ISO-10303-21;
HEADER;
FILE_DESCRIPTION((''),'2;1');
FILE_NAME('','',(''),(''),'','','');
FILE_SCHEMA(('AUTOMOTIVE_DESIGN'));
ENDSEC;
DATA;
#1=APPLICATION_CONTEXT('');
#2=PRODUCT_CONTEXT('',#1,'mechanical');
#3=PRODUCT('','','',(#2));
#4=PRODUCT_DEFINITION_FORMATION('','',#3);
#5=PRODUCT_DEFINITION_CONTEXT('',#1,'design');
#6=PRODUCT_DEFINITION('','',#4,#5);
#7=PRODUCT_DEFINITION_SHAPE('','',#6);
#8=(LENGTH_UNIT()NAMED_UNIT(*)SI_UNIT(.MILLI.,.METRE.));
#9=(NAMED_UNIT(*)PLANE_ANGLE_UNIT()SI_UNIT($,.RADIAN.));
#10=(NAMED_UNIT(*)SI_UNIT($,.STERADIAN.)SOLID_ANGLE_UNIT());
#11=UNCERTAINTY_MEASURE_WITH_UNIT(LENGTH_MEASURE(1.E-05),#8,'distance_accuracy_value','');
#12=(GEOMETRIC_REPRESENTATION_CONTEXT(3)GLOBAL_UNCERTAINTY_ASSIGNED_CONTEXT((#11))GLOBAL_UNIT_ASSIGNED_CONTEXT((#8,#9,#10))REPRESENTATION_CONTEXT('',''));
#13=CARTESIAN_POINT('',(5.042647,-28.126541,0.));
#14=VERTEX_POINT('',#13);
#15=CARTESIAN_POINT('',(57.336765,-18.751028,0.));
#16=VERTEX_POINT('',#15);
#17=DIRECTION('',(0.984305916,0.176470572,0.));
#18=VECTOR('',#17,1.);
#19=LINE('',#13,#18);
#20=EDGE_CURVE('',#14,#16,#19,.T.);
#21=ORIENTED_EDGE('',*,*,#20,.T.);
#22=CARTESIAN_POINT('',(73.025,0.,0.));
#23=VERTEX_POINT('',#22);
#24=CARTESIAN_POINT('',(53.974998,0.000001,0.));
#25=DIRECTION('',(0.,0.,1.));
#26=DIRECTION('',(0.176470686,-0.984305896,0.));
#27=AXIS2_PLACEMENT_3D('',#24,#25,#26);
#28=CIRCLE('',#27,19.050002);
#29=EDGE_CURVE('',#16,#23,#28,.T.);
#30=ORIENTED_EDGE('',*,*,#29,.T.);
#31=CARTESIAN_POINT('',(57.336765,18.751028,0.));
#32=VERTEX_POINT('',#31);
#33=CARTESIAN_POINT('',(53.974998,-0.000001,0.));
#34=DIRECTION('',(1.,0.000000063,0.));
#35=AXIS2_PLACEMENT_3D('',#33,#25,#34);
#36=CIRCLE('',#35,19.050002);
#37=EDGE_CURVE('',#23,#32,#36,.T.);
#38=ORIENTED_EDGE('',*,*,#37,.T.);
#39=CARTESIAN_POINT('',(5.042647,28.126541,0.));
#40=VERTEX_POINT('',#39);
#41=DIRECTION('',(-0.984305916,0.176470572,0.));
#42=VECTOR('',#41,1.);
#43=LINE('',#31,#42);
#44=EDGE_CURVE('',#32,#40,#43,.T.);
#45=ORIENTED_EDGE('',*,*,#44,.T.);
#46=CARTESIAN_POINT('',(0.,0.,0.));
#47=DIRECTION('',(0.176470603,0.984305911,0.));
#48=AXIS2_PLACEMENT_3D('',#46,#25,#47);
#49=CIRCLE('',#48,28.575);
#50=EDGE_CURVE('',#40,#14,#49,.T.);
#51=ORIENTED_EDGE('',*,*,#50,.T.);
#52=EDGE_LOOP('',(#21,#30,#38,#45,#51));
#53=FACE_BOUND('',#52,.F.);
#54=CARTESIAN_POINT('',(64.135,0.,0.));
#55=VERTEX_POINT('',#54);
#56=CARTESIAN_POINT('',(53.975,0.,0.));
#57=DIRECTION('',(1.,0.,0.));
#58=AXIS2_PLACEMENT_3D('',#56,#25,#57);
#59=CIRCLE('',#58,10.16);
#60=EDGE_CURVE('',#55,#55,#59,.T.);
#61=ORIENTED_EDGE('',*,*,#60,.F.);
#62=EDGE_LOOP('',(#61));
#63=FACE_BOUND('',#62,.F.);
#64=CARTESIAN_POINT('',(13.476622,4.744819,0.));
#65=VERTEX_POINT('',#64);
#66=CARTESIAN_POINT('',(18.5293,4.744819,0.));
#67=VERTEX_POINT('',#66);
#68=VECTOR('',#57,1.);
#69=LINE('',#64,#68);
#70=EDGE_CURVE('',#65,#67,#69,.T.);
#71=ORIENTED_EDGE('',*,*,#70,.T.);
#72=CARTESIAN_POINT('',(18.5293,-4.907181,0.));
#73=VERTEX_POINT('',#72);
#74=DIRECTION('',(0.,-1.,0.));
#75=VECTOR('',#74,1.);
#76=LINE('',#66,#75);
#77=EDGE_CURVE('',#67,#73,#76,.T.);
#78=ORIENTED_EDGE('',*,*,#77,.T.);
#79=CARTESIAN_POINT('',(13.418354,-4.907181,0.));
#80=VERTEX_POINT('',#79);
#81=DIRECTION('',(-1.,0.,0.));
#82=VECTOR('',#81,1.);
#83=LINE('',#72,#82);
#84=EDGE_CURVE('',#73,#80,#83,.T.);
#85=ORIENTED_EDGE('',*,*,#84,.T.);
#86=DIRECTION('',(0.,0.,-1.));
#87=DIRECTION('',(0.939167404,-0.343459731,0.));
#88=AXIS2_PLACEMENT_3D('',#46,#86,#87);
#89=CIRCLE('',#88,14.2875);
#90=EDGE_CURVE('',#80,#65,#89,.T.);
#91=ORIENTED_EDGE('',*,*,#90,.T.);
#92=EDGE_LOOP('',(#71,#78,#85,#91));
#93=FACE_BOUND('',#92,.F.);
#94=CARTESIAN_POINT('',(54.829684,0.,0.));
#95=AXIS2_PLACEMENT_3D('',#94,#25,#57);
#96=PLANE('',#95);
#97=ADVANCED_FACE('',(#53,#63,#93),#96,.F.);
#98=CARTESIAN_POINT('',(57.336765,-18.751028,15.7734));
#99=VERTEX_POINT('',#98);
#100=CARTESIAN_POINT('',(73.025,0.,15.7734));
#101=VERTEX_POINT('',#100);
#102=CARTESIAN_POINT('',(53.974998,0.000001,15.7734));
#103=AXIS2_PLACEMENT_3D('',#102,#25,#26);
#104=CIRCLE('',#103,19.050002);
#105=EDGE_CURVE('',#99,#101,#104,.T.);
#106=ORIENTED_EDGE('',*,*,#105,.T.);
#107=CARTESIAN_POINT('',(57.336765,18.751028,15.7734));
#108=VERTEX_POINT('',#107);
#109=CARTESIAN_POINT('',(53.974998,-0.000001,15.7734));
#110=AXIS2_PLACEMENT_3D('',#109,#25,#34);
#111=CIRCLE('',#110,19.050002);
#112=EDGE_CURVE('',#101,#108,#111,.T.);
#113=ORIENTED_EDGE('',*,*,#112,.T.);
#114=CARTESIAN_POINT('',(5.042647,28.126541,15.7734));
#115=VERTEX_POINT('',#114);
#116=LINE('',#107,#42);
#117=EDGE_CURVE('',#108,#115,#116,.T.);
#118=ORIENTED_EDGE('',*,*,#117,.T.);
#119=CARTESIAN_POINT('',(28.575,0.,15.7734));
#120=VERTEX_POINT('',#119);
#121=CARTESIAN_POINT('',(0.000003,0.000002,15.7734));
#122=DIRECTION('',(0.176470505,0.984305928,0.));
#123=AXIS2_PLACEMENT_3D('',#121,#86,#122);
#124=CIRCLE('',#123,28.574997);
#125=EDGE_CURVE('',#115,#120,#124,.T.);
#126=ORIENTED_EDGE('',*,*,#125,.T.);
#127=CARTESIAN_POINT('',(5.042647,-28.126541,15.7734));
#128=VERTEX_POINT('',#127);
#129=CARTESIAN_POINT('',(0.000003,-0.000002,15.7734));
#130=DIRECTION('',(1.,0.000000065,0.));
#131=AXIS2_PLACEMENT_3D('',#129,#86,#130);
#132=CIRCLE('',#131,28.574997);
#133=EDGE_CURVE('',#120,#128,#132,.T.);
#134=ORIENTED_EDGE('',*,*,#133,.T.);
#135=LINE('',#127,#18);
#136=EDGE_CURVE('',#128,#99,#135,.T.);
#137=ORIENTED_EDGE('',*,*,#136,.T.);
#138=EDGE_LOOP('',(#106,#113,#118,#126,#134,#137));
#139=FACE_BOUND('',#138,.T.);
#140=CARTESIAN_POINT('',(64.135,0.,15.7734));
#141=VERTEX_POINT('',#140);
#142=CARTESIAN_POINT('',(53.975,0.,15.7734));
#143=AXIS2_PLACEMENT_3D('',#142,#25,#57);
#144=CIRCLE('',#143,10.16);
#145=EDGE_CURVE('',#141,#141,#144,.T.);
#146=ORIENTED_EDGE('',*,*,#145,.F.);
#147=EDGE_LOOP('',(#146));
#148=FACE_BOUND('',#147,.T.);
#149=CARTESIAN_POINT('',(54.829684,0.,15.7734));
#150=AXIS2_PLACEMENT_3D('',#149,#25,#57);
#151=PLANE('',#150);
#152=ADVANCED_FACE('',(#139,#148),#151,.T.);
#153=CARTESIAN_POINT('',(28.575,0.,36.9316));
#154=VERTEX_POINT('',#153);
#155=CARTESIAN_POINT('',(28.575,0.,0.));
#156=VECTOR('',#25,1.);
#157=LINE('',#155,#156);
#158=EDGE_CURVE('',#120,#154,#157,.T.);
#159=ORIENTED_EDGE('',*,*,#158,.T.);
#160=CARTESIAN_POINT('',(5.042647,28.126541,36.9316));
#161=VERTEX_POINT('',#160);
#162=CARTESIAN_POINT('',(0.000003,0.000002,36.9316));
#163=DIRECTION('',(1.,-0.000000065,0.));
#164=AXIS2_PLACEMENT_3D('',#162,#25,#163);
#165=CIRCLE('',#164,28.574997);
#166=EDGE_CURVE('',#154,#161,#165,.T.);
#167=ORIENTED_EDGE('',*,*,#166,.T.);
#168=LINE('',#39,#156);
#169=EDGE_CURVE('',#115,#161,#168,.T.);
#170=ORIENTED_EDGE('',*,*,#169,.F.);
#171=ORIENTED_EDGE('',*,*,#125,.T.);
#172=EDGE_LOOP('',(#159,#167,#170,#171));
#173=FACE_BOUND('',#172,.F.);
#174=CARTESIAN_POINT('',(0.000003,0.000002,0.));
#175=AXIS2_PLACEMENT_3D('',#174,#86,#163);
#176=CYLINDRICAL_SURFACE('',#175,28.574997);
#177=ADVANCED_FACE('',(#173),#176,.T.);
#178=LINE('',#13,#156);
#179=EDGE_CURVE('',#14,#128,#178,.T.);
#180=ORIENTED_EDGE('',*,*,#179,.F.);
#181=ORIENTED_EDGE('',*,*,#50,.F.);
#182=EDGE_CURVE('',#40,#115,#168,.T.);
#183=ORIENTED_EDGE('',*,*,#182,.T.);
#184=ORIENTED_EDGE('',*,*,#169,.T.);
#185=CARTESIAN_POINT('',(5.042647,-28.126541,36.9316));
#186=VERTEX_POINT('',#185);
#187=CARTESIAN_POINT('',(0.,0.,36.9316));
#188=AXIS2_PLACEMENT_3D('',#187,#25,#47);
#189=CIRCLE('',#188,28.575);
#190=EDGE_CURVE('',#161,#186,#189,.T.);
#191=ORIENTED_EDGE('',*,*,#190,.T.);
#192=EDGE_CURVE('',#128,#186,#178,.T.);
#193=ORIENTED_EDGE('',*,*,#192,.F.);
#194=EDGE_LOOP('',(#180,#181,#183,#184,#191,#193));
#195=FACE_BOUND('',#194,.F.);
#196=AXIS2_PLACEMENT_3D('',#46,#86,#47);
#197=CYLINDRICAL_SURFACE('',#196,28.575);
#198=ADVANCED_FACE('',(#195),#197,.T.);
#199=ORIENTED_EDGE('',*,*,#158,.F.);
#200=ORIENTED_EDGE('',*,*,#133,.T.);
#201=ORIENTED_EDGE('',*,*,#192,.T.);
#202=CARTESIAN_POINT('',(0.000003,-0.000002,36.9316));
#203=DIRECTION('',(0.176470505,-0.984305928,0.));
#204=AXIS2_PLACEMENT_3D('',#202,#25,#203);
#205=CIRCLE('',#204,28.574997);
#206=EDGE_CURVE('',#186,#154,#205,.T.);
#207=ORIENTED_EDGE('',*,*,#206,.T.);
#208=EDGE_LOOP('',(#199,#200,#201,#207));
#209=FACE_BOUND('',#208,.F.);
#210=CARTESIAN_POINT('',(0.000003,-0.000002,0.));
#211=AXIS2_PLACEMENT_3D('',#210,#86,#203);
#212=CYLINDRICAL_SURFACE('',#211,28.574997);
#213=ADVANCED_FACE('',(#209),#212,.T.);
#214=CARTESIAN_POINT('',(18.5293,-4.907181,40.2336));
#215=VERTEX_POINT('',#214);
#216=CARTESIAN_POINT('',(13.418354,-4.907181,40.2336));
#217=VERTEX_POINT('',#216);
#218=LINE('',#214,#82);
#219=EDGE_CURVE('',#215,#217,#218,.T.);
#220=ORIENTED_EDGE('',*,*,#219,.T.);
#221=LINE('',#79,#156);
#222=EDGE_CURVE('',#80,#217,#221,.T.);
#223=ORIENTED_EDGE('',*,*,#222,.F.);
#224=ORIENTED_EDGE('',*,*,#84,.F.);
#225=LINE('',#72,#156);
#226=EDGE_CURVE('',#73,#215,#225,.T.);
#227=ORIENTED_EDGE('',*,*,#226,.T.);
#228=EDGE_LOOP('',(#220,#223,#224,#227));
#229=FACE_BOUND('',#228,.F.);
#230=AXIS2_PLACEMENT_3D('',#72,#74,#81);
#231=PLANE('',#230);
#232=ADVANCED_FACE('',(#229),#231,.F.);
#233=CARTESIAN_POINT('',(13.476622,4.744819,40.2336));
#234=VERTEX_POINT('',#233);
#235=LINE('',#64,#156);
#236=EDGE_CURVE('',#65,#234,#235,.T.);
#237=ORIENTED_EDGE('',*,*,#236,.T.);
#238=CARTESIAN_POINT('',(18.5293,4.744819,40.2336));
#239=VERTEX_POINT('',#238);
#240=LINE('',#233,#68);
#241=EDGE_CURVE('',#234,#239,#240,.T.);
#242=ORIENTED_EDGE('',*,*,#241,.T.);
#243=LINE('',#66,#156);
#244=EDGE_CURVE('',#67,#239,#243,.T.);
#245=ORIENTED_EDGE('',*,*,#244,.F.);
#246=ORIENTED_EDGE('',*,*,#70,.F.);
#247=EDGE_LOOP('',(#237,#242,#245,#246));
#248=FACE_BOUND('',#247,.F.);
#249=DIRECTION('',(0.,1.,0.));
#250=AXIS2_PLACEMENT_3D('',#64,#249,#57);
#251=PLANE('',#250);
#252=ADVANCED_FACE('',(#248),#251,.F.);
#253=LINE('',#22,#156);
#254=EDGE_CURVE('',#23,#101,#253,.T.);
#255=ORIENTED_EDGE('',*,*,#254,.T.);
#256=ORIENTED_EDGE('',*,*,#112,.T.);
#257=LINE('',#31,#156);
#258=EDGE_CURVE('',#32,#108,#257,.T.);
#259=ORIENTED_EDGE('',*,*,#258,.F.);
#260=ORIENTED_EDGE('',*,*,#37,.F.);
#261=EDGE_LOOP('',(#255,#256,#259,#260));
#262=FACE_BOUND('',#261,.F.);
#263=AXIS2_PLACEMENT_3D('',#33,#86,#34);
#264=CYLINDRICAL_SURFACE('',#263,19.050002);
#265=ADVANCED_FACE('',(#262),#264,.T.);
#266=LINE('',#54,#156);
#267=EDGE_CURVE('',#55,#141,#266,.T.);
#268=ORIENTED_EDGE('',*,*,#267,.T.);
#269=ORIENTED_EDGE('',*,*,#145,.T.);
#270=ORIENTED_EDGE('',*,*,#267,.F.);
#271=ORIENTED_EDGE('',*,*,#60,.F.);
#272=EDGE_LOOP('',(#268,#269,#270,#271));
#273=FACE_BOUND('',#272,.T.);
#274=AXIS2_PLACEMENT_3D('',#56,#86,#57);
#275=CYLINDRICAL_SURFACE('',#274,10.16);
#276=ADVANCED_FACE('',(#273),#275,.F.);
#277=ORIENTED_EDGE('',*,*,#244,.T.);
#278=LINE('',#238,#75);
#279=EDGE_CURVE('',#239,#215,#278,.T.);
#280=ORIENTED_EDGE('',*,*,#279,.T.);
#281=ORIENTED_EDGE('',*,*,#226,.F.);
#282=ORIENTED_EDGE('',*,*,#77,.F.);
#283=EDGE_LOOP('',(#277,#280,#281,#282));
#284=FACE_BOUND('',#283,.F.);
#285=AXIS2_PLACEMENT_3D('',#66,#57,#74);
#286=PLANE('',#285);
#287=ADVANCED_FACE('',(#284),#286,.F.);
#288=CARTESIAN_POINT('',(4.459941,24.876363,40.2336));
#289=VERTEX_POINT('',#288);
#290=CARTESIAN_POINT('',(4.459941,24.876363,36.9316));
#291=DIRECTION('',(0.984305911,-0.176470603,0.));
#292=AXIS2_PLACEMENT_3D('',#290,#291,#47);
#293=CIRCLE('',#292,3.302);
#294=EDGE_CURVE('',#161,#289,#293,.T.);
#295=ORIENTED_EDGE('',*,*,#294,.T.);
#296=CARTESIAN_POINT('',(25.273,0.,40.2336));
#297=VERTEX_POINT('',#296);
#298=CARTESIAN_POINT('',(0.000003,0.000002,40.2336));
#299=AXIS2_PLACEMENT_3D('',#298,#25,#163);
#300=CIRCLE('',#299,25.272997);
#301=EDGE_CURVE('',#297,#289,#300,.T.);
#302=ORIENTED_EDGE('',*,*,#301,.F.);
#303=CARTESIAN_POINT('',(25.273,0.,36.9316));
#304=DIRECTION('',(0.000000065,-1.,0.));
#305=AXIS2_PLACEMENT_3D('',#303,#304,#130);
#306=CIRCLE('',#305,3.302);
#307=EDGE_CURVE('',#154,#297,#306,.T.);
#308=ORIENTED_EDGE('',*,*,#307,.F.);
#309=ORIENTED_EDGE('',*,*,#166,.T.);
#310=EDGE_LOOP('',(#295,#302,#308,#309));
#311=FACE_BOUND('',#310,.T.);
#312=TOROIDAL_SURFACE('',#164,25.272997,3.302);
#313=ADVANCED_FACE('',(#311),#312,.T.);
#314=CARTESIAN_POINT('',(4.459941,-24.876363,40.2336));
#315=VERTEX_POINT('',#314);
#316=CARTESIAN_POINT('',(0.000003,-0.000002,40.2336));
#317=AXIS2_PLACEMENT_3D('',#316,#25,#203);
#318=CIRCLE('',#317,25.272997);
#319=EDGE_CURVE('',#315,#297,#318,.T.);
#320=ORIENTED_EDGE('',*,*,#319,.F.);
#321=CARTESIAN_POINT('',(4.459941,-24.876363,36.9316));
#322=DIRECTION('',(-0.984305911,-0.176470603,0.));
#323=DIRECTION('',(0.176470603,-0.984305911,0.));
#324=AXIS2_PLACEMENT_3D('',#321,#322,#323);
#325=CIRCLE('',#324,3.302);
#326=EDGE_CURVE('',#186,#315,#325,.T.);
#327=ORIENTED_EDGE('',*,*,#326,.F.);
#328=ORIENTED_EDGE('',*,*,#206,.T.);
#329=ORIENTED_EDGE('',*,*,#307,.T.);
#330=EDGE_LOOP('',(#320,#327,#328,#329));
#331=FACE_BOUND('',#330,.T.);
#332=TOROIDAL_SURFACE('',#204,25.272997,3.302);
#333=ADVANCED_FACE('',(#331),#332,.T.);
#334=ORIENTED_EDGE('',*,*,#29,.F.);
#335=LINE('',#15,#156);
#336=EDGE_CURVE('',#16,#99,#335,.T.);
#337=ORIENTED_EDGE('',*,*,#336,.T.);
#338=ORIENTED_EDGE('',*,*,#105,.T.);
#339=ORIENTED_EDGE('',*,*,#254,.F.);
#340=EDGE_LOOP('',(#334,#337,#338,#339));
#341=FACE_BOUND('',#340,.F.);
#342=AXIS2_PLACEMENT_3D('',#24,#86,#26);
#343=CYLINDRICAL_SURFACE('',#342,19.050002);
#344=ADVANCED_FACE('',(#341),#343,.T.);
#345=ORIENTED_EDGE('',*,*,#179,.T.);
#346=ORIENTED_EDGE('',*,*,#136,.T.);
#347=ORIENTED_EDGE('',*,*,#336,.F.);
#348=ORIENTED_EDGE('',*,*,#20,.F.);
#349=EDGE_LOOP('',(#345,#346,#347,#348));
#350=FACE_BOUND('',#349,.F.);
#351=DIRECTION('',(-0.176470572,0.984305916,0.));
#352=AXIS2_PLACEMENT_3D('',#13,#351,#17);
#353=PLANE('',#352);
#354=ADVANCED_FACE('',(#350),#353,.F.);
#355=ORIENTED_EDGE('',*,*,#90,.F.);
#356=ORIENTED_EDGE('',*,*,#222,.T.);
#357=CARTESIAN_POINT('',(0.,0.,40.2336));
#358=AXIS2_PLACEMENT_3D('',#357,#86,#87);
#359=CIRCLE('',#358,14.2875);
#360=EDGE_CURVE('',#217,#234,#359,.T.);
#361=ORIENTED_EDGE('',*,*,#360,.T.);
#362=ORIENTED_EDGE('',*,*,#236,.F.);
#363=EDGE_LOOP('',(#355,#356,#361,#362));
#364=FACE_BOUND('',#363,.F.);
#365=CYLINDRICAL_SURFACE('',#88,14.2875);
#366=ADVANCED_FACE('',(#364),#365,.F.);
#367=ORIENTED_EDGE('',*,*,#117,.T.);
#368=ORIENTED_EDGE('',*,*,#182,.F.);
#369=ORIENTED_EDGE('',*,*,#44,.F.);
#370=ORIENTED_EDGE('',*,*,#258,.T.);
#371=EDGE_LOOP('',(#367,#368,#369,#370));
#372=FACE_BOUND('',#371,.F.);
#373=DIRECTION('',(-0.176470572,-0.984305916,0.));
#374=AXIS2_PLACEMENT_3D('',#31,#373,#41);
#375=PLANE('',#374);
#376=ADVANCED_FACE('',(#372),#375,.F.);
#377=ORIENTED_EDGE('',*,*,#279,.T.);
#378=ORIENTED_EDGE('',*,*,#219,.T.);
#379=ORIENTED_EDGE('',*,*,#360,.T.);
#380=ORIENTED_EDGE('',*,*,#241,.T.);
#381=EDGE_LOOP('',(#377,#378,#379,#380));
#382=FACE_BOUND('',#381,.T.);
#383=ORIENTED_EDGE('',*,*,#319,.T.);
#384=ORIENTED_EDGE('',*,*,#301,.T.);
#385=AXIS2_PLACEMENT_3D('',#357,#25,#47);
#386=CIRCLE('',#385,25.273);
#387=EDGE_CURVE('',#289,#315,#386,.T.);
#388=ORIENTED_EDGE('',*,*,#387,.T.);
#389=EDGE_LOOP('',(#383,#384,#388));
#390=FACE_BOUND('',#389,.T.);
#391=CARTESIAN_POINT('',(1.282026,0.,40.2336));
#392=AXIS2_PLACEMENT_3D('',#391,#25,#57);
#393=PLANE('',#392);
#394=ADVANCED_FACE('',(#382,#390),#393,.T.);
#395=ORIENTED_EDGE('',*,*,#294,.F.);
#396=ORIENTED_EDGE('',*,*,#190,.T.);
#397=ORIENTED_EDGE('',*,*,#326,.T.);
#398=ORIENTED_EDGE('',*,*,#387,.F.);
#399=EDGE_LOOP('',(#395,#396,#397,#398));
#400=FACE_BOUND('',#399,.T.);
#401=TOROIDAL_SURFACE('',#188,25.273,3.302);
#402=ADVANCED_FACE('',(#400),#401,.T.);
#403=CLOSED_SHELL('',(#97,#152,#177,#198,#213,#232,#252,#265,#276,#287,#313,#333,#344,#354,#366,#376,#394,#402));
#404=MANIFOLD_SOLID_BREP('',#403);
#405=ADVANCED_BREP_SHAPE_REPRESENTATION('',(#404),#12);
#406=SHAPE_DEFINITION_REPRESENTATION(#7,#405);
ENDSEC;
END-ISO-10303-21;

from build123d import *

# Parameters (mm, degrees)
F1_DEPTH = 40.2336
F0_R     = 10.16
F2_DEPTH = 15.7734
F3_R     = 3.302


with BuildPart() as f1:
    # F0 (on Top) → F1 (new body)
    with BuildSketch(Plane.XY):
        with BuildLine():
            ThreePointArc((5.042647, -28.126541), (21.916025, -18.336262), (28.575, 0))
            ThreePointArc((28.575, 0), (21.916025, 18.336262), (5.042647, 28.126541))
            ThreePointArc((5.042647, 28.126541), (-28.575, 0), (5.042647, -28.126541))
        make_face()
        with BuildLine():
            ThreePointArc((13.418354, -4.907181), (-14.28724, 0.086251), (13.476622, 4.744819))
            Line((13.476622, 4.744819), (18.5293, 4.744819))
            Line((18.5293, 4.744819), (18.5293, -4.907181))
            Line((18.5293, -4.907181), (13.418354, -4.907181))
        make_face(mode=Mode.SUBTRACT)
    extrude(amount=F1_DEPTH)

    # F0 (on Top) → F2 (join)
    with BuildSketch(Plane.XY):
        with BuildLine():
            ThreePointArc((73.025, 0), (68.585683, 12.224174), (57.336765, 18.751028))
            ThreePointArc((57.336765, 18.751028), (34.925, 0), (57.336765, -18.751028))
            ThreePointArc((57.336765, -18.751028), (68.585683, -12.224174), (73.025, 0))
        make_face()
        with Locations((53.975, 0)):
            Circle(F0_R, mode=Mode.SUBTRACT)
        with BuildLine():
            ThreePointArc((5.042647, 28.126541), (21.916025, 18.336262), (28.575, 0))
            ThreePointArc((28.575, 0), (21.916025, -18.336262), (5.042647, -28.126541))
            Line((5.042647, -28.126541), (57.336765, -18.751028))
            ThreePointArc((57.336765, -18.751028), (34.925, 0), (57.336765, 18.751028))
            Line((57.336765, 18.751028), (5.042647, 28.126541))
        make_face()
    extrude(amount=F2_DEPTH)

    # F3
    f3_edges = [f1.edges().sort_by_distance(p)[0] for p in [
        (-5.042647, 28.126541, 40.2336),
    ]]
    fillet(f3_edges, radius=F3_R)


solid = f1.part
